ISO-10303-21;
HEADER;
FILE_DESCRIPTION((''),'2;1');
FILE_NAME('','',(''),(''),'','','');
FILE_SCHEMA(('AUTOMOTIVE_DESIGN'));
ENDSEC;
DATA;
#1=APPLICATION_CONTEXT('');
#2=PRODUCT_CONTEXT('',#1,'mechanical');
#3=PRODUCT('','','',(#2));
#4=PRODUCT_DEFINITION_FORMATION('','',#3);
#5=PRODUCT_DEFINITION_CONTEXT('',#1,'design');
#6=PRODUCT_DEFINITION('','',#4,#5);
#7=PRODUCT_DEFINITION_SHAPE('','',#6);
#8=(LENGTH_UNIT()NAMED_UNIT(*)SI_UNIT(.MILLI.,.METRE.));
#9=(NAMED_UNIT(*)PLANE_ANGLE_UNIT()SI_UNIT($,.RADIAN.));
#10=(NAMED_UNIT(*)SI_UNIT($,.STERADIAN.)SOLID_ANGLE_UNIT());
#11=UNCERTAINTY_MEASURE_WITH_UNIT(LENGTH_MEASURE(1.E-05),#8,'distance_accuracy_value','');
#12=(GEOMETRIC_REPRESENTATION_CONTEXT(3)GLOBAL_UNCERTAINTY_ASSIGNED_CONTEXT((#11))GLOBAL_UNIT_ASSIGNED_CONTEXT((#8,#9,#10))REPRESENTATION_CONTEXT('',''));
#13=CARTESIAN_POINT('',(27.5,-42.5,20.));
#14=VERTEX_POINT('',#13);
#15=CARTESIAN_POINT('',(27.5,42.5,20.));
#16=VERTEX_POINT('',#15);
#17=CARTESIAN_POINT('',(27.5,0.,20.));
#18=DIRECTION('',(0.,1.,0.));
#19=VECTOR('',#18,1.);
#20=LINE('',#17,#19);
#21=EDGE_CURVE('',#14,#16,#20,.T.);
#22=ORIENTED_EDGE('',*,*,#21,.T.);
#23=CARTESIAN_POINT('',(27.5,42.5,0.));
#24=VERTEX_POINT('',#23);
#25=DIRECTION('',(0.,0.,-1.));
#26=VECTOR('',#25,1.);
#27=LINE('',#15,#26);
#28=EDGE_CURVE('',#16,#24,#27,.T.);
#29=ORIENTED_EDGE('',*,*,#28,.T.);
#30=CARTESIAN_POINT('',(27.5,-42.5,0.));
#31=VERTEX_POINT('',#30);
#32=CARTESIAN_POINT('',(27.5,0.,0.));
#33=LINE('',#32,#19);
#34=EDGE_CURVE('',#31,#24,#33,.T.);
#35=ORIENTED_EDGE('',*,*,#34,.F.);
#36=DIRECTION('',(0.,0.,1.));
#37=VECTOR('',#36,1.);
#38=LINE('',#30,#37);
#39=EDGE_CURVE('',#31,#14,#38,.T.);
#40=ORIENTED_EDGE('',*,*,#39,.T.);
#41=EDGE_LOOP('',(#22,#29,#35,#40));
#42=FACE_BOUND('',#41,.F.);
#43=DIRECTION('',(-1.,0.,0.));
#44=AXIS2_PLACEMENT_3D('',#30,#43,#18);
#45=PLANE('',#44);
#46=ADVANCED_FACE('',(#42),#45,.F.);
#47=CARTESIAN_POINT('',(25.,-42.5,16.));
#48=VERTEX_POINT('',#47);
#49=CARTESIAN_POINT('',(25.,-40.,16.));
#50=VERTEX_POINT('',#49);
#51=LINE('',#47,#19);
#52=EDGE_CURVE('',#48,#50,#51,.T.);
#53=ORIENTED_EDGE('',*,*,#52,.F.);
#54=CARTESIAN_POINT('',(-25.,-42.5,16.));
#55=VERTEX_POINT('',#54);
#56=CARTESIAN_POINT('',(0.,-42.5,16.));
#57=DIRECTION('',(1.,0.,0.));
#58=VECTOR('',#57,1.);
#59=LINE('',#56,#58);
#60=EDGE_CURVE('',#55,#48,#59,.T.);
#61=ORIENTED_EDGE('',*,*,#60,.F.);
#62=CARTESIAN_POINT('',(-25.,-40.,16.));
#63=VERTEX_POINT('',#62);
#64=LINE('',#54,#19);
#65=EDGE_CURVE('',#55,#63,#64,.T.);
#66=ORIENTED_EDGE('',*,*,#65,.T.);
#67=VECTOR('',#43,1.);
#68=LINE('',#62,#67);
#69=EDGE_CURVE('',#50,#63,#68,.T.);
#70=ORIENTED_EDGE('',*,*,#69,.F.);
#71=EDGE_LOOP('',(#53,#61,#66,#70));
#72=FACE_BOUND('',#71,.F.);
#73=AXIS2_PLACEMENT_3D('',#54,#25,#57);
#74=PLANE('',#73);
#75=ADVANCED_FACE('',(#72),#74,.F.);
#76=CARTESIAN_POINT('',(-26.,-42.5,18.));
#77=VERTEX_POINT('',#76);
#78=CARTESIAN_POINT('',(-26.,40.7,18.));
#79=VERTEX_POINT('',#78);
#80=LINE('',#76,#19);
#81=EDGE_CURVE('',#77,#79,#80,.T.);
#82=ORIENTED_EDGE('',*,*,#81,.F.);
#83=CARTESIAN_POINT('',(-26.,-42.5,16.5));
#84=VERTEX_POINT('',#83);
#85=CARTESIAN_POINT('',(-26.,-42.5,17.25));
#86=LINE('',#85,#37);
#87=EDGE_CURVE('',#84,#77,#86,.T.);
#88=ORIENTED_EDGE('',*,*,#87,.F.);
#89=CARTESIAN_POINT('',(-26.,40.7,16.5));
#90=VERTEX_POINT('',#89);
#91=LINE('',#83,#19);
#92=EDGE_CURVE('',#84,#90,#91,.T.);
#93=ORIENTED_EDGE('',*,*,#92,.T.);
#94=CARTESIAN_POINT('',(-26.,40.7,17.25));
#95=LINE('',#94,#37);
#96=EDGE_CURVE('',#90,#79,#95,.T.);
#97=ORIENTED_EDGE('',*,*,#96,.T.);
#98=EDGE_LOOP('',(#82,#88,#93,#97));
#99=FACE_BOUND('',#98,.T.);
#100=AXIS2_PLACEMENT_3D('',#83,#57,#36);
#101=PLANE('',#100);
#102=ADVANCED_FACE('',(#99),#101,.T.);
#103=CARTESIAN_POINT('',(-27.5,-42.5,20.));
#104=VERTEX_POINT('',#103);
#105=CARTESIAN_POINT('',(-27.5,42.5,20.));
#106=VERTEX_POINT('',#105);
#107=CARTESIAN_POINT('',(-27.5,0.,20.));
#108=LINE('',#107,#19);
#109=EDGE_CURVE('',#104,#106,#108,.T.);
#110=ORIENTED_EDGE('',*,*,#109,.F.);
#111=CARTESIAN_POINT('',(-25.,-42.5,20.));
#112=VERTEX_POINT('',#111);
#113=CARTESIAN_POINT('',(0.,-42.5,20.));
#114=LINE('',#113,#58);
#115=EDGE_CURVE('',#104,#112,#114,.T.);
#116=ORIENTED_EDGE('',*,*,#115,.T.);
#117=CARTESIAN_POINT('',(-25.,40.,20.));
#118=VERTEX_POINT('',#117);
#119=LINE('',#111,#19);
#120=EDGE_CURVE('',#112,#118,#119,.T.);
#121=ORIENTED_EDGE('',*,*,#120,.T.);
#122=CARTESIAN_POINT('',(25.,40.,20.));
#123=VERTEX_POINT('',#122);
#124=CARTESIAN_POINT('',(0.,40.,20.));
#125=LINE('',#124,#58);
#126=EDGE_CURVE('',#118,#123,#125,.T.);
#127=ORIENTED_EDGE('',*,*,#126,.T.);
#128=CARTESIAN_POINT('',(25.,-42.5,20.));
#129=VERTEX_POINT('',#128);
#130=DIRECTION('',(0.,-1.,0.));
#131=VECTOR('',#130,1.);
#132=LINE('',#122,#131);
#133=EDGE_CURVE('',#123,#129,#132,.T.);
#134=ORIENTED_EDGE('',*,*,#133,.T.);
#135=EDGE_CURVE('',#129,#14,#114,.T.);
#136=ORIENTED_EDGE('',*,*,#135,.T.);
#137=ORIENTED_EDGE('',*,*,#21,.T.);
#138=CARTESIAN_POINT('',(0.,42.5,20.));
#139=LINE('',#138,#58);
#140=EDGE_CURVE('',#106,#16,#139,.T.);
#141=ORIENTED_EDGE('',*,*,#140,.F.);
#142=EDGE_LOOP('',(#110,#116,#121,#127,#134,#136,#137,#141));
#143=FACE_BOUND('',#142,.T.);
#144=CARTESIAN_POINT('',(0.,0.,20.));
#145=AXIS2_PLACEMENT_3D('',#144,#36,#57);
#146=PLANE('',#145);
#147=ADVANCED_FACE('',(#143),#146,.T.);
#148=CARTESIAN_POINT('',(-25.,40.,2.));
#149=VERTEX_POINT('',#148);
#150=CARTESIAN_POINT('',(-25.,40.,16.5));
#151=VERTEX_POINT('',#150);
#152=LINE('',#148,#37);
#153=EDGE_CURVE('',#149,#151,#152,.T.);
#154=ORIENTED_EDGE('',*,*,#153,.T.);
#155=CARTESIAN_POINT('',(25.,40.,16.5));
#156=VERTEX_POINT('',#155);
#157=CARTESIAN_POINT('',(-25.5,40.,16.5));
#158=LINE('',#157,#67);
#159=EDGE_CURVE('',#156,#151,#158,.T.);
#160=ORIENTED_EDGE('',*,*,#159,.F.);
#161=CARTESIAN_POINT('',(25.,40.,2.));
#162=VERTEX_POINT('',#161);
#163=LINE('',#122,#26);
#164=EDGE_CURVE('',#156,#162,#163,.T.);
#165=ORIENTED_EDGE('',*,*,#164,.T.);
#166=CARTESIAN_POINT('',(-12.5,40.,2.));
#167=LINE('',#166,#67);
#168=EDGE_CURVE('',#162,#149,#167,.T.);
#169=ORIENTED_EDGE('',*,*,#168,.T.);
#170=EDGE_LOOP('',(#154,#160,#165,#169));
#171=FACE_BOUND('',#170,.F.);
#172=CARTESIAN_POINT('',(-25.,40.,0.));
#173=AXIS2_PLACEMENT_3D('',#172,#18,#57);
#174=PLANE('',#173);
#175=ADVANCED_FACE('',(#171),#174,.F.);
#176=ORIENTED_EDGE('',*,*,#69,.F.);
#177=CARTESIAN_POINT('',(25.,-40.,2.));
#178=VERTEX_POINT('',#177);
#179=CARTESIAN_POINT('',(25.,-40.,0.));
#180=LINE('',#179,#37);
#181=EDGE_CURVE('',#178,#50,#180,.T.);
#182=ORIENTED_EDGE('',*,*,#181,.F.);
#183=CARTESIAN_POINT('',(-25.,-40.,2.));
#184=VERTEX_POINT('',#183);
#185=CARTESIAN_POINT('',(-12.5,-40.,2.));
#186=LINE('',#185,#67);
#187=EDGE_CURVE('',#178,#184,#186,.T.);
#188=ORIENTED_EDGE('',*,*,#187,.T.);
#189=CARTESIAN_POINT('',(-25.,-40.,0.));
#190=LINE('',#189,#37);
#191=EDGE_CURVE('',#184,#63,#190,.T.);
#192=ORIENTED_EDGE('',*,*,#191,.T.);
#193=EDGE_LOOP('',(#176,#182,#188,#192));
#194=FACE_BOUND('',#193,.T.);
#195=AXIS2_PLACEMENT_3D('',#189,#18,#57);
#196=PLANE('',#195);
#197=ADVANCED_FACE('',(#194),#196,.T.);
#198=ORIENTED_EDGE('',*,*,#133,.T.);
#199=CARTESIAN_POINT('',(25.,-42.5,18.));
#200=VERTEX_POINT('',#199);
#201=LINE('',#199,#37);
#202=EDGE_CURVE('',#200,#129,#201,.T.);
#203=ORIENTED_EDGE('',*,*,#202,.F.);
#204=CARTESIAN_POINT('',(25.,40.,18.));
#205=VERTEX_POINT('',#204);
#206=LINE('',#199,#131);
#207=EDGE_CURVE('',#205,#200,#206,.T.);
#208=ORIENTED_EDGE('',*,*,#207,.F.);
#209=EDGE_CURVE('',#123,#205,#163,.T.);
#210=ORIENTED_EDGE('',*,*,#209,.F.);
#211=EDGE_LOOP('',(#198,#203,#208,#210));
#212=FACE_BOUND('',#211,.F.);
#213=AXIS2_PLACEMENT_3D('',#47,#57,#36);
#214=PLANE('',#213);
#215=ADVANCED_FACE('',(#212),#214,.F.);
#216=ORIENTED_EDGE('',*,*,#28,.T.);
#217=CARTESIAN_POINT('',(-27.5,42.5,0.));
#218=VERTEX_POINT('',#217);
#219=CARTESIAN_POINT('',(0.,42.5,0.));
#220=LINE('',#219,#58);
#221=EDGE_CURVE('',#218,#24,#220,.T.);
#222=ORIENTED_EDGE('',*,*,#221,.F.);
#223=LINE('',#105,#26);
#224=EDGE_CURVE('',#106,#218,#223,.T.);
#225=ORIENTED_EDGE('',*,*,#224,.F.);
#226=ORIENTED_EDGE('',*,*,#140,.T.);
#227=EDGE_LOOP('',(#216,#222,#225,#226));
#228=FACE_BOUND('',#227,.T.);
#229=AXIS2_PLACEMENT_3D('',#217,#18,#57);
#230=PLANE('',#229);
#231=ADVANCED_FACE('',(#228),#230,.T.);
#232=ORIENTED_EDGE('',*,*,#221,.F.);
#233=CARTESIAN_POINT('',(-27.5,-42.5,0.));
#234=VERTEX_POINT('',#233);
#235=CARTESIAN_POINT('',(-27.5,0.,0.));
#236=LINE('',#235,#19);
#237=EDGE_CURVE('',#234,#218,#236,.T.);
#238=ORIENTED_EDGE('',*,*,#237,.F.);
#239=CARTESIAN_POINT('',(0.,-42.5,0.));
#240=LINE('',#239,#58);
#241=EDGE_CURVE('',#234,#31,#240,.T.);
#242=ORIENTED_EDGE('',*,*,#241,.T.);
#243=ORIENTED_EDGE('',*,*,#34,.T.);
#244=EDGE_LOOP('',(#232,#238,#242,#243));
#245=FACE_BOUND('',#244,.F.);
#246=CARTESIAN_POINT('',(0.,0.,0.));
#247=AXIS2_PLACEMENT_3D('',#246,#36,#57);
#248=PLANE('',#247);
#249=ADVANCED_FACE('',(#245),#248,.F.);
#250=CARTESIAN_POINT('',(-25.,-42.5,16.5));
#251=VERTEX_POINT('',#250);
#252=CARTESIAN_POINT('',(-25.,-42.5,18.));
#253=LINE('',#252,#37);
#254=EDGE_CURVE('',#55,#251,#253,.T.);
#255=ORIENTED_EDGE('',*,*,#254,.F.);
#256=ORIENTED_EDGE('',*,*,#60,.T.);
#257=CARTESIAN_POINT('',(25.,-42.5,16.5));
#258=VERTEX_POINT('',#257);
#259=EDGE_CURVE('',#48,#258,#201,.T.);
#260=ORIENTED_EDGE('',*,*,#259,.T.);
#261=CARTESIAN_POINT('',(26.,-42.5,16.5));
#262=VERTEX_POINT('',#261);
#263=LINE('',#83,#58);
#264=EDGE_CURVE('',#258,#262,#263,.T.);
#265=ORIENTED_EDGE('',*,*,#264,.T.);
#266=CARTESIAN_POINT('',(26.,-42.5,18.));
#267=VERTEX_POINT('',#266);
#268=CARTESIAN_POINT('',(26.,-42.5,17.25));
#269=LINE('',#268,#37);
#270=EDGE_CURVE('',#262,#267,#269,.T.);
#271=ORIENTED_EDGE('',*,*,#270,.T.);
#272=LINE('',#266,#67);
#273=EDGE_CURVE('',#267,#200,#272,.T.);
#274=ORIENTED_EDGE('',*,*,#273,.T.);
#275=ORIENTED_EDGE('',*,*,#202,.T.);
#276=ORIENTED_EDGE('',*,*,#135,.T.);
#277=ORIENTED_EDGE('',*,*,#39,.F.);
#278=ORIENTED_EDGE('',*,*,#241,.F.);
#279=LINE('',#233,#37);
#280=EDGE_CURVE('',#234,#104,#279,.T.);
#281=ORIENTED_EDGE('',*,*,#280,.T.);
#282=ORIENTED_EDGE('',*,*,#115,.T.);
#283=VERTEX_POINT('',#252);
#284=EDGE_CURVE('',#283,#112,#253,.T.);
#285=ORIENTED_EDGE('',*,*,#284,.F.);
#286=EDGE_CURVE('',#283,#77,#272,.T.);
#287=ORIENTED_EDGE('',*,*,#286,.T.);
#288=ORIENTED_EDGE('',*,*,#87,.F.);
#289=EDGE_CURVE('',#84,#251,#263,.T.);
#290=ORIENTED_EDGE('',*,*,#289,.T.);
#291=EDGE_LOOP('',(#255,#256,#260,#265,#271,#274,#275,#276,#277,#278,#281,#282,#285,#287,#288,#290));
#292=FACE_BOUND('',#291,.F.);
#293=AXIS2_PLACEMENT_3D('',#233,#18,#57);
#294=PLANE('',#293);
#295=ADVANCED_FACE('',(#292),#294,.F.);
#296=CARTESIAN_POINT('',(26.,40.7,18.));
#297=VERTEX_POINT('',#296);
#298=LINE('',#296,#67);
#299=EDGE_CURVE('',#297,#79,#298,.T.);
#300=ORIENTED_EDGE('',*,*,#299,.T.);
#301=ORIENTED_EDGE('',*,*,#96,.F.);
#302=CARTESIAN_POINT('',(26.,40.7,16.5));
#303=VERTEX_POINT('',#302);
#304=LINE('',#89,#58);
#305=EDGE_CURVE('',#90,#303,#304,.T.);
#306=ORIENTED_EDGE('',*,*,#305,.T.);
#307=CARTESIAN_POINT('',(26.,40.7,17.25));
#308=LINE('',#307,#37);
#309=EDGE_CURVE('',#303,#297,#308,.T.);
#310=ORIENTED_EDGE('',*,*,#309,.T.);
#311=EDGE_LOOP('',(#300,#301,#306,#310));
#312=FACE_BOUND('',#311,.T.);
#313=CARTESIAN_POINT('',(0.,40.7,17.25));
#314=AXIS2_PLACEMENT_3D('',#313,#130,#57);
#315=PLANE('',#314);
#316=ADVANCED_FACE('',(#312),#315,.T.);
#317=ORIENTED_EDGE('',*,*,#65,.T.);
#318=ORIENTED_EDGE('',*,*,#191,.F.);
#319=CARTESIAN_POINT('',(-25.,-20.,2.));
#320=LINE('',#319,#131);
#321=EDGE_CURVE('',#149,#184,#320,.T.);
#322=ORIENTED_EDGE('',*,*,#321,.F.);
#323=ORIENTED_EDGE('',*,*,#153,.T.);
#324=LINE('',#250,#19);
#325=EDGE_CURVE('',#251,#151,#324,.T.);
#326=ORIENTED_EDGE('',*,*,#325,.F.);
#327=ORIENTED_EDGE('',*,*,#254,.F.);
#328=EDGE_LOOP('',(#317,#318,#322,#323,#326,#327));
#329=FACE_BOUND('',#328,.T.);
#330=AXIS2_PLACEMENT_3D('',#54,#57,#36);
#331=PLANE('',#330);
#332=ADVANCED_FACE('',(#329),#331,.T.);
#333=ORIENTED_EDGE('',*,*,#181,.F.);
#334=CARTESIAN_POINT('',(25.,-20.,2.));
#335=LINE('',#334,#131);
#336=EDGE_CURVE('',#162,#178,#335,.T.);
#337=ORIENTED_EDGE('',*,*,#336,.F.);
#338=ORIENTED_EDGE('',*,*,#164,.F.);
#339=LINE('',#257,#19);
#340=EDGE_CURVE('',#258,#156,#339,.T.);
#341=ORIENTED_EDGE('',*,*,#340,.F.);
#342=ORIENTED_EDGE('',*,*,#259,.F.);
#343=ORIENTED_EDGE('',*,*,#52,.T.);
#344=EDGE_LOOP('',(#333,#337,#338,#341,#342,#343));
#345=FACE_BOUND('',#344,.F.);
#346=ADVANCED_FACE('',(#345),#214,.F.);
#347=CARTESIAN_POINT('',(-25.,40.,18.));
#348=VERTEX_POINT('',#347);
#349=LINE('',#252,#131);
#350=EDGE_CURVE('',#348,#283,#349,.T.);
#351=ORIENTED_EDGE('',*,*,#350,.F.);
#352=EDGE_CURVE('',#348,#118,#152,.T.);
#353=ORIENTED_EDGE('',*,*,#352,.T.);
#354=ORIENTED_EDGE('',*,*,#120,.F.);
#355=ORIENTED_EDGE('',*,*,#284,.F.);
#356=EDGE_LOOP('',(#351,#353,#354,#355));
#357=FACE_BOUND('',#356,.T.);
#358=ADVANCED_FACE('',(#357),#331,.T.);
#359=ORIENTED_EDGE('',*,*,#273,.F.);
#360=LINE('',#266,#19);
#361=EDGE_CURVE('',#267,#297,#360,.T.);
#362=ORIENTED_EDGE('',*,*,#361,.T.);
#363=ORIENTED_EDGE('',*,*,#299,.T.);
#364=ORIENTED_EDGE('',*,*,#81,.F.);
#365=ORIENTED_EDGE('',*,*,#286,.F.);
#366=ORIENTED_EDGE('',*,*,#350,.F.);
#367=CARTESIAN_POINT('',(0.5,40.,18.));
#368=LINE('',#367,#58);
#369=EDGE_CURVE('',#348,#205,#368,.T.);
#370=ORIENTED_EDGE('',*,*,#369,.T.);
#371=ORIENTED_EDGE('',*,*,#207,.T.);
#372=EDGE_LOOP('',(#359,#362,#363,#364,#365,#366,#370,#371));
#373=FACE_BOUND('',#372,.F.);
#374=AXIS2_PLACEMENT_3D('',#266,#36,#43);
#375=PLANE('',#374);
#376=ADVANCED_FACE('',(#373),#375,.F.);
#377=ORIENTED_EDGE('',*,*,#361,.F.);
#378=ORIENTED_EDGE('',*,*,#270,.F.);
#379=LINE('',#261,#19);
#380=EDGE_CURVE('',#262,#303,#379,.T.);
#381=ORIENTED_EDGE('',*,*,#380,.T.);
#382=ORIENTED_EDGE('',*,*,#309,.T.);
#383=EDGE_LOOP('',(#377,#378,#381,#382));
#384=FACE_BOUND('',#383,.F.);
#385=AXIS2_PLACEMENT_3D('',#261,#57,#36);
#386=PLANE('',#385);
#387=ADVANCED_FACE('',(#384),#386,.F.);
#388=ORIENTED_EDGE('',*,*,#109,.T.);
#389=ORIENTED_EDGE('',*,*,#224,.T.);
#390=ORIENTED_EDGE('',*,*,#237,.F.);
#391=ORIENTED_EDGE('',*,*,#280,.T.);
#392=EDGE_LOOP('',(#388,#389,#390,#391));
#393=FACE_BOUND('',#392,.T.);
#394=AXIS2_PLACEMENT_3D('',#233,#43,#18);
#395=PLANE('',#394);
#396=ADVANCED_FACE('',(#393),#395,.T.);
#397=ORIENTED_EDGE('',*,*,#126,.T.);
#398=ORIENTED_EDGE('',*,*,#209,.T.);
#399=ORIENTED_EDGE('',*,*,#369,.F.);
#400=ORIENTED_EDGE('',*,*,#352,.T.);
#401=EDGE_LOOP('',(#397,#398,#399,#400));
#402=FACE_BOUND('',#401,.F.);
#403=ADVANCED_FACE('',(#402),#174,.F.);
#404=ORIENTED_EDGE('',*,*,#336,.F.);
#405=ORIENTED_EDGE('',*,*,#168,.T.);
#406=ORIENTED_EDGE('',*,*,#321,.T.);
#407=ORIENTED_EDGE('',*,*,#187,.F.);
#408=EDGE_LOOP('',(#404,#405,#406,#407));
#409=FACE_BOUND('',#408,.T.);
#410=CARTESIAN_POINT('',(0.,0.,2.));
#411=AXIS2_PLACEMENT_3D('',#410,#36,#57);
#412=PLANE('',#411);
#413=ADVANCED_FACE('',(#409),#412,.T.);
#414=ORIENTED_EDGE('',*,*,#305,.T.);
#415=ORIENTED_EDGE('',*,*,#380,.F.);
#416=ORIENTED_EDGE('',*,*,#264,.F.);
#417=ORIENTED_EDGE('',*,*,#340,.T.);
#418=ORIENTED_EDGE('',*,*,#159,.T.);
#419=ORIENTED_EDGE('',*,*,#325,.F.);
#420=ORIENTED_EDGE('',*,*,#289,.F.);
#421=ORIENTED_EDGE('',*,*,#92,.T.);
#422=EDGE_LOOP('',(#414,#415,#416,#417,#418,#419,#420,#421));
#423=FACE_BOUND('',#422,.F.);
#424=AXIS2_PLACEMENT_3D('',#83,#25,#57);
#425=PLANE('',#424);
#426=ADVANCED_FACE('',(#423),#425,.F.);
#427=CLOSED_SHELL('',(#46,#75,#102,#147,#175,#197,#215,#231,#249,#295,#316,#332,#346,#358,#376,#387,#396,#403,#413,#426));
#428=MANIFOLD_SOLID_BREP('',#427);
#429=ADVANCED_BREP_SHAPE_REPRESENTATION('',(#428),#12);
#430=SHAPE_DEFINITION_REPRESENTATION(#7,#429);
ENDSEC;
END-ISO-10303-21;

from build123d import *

# Parameters (mm, degrees)
F0_W     = 55
F0_H     = 85
F0_W_2   = 50
F0_H_2   = 80
F1_DEPTH = 2
F2_DEPTH = 20
F3_W     = 50
F3_H     = 4
F4_DEPTH = 82.5
F5_W     = 50
F5_H     = 1.5
F5_W_2   = 1
F6_DEPTH = 83.2


with BuildPart() as f1:
    # F0 (on Top) → F1 (new body)
    with BuildSketch(Plane.XY):
        Rectangle(F0_W, F0_H)
        Rectangle(F0_W_2, F0_H_2, mode=Mode.SUBTRACT)
        Rectangle(F0_W_2, F0_H_2)
    extrude(amount=F1_DEPTH)

    # F0 (on Top) → F2 (join)
    with BuildSketch(Plane.XY):
        Rectangle(F0_W, F0_H)
        Rectangle(F0_W_2, F0_H_2, mode=Mode.SUBTRACT)
    extrude(amount=F2_DEPTH)

    # F3 (on face) → F4 (cut, through all)
    with BuildSketch(Plane.XZ.offset(42.5)):
        with Locations((0, 18)):
            Rectangle(F3_W, F3_H)
    extrude(amount=-F4_DEPTH, mode=Mode.SUBTRACT)

    # F5 (on face) → F6 (cut)
    with BuildSketch(Plane.XZ.offset(42.5)):
        with Locations((0, 17.25)):
            Rectangle(F5_W, F5_H)
        with Locations((-25.5, 17.25)):
            Rectangle(F5_W_2, F5_H)
        with Locations((25.5, 17.25)):
            Rectangle(F5_W_2, F5_H)
    extrude(amount=-F6_DEPTH, mode=Mode.SUBTRACT)


solid = f1.part
